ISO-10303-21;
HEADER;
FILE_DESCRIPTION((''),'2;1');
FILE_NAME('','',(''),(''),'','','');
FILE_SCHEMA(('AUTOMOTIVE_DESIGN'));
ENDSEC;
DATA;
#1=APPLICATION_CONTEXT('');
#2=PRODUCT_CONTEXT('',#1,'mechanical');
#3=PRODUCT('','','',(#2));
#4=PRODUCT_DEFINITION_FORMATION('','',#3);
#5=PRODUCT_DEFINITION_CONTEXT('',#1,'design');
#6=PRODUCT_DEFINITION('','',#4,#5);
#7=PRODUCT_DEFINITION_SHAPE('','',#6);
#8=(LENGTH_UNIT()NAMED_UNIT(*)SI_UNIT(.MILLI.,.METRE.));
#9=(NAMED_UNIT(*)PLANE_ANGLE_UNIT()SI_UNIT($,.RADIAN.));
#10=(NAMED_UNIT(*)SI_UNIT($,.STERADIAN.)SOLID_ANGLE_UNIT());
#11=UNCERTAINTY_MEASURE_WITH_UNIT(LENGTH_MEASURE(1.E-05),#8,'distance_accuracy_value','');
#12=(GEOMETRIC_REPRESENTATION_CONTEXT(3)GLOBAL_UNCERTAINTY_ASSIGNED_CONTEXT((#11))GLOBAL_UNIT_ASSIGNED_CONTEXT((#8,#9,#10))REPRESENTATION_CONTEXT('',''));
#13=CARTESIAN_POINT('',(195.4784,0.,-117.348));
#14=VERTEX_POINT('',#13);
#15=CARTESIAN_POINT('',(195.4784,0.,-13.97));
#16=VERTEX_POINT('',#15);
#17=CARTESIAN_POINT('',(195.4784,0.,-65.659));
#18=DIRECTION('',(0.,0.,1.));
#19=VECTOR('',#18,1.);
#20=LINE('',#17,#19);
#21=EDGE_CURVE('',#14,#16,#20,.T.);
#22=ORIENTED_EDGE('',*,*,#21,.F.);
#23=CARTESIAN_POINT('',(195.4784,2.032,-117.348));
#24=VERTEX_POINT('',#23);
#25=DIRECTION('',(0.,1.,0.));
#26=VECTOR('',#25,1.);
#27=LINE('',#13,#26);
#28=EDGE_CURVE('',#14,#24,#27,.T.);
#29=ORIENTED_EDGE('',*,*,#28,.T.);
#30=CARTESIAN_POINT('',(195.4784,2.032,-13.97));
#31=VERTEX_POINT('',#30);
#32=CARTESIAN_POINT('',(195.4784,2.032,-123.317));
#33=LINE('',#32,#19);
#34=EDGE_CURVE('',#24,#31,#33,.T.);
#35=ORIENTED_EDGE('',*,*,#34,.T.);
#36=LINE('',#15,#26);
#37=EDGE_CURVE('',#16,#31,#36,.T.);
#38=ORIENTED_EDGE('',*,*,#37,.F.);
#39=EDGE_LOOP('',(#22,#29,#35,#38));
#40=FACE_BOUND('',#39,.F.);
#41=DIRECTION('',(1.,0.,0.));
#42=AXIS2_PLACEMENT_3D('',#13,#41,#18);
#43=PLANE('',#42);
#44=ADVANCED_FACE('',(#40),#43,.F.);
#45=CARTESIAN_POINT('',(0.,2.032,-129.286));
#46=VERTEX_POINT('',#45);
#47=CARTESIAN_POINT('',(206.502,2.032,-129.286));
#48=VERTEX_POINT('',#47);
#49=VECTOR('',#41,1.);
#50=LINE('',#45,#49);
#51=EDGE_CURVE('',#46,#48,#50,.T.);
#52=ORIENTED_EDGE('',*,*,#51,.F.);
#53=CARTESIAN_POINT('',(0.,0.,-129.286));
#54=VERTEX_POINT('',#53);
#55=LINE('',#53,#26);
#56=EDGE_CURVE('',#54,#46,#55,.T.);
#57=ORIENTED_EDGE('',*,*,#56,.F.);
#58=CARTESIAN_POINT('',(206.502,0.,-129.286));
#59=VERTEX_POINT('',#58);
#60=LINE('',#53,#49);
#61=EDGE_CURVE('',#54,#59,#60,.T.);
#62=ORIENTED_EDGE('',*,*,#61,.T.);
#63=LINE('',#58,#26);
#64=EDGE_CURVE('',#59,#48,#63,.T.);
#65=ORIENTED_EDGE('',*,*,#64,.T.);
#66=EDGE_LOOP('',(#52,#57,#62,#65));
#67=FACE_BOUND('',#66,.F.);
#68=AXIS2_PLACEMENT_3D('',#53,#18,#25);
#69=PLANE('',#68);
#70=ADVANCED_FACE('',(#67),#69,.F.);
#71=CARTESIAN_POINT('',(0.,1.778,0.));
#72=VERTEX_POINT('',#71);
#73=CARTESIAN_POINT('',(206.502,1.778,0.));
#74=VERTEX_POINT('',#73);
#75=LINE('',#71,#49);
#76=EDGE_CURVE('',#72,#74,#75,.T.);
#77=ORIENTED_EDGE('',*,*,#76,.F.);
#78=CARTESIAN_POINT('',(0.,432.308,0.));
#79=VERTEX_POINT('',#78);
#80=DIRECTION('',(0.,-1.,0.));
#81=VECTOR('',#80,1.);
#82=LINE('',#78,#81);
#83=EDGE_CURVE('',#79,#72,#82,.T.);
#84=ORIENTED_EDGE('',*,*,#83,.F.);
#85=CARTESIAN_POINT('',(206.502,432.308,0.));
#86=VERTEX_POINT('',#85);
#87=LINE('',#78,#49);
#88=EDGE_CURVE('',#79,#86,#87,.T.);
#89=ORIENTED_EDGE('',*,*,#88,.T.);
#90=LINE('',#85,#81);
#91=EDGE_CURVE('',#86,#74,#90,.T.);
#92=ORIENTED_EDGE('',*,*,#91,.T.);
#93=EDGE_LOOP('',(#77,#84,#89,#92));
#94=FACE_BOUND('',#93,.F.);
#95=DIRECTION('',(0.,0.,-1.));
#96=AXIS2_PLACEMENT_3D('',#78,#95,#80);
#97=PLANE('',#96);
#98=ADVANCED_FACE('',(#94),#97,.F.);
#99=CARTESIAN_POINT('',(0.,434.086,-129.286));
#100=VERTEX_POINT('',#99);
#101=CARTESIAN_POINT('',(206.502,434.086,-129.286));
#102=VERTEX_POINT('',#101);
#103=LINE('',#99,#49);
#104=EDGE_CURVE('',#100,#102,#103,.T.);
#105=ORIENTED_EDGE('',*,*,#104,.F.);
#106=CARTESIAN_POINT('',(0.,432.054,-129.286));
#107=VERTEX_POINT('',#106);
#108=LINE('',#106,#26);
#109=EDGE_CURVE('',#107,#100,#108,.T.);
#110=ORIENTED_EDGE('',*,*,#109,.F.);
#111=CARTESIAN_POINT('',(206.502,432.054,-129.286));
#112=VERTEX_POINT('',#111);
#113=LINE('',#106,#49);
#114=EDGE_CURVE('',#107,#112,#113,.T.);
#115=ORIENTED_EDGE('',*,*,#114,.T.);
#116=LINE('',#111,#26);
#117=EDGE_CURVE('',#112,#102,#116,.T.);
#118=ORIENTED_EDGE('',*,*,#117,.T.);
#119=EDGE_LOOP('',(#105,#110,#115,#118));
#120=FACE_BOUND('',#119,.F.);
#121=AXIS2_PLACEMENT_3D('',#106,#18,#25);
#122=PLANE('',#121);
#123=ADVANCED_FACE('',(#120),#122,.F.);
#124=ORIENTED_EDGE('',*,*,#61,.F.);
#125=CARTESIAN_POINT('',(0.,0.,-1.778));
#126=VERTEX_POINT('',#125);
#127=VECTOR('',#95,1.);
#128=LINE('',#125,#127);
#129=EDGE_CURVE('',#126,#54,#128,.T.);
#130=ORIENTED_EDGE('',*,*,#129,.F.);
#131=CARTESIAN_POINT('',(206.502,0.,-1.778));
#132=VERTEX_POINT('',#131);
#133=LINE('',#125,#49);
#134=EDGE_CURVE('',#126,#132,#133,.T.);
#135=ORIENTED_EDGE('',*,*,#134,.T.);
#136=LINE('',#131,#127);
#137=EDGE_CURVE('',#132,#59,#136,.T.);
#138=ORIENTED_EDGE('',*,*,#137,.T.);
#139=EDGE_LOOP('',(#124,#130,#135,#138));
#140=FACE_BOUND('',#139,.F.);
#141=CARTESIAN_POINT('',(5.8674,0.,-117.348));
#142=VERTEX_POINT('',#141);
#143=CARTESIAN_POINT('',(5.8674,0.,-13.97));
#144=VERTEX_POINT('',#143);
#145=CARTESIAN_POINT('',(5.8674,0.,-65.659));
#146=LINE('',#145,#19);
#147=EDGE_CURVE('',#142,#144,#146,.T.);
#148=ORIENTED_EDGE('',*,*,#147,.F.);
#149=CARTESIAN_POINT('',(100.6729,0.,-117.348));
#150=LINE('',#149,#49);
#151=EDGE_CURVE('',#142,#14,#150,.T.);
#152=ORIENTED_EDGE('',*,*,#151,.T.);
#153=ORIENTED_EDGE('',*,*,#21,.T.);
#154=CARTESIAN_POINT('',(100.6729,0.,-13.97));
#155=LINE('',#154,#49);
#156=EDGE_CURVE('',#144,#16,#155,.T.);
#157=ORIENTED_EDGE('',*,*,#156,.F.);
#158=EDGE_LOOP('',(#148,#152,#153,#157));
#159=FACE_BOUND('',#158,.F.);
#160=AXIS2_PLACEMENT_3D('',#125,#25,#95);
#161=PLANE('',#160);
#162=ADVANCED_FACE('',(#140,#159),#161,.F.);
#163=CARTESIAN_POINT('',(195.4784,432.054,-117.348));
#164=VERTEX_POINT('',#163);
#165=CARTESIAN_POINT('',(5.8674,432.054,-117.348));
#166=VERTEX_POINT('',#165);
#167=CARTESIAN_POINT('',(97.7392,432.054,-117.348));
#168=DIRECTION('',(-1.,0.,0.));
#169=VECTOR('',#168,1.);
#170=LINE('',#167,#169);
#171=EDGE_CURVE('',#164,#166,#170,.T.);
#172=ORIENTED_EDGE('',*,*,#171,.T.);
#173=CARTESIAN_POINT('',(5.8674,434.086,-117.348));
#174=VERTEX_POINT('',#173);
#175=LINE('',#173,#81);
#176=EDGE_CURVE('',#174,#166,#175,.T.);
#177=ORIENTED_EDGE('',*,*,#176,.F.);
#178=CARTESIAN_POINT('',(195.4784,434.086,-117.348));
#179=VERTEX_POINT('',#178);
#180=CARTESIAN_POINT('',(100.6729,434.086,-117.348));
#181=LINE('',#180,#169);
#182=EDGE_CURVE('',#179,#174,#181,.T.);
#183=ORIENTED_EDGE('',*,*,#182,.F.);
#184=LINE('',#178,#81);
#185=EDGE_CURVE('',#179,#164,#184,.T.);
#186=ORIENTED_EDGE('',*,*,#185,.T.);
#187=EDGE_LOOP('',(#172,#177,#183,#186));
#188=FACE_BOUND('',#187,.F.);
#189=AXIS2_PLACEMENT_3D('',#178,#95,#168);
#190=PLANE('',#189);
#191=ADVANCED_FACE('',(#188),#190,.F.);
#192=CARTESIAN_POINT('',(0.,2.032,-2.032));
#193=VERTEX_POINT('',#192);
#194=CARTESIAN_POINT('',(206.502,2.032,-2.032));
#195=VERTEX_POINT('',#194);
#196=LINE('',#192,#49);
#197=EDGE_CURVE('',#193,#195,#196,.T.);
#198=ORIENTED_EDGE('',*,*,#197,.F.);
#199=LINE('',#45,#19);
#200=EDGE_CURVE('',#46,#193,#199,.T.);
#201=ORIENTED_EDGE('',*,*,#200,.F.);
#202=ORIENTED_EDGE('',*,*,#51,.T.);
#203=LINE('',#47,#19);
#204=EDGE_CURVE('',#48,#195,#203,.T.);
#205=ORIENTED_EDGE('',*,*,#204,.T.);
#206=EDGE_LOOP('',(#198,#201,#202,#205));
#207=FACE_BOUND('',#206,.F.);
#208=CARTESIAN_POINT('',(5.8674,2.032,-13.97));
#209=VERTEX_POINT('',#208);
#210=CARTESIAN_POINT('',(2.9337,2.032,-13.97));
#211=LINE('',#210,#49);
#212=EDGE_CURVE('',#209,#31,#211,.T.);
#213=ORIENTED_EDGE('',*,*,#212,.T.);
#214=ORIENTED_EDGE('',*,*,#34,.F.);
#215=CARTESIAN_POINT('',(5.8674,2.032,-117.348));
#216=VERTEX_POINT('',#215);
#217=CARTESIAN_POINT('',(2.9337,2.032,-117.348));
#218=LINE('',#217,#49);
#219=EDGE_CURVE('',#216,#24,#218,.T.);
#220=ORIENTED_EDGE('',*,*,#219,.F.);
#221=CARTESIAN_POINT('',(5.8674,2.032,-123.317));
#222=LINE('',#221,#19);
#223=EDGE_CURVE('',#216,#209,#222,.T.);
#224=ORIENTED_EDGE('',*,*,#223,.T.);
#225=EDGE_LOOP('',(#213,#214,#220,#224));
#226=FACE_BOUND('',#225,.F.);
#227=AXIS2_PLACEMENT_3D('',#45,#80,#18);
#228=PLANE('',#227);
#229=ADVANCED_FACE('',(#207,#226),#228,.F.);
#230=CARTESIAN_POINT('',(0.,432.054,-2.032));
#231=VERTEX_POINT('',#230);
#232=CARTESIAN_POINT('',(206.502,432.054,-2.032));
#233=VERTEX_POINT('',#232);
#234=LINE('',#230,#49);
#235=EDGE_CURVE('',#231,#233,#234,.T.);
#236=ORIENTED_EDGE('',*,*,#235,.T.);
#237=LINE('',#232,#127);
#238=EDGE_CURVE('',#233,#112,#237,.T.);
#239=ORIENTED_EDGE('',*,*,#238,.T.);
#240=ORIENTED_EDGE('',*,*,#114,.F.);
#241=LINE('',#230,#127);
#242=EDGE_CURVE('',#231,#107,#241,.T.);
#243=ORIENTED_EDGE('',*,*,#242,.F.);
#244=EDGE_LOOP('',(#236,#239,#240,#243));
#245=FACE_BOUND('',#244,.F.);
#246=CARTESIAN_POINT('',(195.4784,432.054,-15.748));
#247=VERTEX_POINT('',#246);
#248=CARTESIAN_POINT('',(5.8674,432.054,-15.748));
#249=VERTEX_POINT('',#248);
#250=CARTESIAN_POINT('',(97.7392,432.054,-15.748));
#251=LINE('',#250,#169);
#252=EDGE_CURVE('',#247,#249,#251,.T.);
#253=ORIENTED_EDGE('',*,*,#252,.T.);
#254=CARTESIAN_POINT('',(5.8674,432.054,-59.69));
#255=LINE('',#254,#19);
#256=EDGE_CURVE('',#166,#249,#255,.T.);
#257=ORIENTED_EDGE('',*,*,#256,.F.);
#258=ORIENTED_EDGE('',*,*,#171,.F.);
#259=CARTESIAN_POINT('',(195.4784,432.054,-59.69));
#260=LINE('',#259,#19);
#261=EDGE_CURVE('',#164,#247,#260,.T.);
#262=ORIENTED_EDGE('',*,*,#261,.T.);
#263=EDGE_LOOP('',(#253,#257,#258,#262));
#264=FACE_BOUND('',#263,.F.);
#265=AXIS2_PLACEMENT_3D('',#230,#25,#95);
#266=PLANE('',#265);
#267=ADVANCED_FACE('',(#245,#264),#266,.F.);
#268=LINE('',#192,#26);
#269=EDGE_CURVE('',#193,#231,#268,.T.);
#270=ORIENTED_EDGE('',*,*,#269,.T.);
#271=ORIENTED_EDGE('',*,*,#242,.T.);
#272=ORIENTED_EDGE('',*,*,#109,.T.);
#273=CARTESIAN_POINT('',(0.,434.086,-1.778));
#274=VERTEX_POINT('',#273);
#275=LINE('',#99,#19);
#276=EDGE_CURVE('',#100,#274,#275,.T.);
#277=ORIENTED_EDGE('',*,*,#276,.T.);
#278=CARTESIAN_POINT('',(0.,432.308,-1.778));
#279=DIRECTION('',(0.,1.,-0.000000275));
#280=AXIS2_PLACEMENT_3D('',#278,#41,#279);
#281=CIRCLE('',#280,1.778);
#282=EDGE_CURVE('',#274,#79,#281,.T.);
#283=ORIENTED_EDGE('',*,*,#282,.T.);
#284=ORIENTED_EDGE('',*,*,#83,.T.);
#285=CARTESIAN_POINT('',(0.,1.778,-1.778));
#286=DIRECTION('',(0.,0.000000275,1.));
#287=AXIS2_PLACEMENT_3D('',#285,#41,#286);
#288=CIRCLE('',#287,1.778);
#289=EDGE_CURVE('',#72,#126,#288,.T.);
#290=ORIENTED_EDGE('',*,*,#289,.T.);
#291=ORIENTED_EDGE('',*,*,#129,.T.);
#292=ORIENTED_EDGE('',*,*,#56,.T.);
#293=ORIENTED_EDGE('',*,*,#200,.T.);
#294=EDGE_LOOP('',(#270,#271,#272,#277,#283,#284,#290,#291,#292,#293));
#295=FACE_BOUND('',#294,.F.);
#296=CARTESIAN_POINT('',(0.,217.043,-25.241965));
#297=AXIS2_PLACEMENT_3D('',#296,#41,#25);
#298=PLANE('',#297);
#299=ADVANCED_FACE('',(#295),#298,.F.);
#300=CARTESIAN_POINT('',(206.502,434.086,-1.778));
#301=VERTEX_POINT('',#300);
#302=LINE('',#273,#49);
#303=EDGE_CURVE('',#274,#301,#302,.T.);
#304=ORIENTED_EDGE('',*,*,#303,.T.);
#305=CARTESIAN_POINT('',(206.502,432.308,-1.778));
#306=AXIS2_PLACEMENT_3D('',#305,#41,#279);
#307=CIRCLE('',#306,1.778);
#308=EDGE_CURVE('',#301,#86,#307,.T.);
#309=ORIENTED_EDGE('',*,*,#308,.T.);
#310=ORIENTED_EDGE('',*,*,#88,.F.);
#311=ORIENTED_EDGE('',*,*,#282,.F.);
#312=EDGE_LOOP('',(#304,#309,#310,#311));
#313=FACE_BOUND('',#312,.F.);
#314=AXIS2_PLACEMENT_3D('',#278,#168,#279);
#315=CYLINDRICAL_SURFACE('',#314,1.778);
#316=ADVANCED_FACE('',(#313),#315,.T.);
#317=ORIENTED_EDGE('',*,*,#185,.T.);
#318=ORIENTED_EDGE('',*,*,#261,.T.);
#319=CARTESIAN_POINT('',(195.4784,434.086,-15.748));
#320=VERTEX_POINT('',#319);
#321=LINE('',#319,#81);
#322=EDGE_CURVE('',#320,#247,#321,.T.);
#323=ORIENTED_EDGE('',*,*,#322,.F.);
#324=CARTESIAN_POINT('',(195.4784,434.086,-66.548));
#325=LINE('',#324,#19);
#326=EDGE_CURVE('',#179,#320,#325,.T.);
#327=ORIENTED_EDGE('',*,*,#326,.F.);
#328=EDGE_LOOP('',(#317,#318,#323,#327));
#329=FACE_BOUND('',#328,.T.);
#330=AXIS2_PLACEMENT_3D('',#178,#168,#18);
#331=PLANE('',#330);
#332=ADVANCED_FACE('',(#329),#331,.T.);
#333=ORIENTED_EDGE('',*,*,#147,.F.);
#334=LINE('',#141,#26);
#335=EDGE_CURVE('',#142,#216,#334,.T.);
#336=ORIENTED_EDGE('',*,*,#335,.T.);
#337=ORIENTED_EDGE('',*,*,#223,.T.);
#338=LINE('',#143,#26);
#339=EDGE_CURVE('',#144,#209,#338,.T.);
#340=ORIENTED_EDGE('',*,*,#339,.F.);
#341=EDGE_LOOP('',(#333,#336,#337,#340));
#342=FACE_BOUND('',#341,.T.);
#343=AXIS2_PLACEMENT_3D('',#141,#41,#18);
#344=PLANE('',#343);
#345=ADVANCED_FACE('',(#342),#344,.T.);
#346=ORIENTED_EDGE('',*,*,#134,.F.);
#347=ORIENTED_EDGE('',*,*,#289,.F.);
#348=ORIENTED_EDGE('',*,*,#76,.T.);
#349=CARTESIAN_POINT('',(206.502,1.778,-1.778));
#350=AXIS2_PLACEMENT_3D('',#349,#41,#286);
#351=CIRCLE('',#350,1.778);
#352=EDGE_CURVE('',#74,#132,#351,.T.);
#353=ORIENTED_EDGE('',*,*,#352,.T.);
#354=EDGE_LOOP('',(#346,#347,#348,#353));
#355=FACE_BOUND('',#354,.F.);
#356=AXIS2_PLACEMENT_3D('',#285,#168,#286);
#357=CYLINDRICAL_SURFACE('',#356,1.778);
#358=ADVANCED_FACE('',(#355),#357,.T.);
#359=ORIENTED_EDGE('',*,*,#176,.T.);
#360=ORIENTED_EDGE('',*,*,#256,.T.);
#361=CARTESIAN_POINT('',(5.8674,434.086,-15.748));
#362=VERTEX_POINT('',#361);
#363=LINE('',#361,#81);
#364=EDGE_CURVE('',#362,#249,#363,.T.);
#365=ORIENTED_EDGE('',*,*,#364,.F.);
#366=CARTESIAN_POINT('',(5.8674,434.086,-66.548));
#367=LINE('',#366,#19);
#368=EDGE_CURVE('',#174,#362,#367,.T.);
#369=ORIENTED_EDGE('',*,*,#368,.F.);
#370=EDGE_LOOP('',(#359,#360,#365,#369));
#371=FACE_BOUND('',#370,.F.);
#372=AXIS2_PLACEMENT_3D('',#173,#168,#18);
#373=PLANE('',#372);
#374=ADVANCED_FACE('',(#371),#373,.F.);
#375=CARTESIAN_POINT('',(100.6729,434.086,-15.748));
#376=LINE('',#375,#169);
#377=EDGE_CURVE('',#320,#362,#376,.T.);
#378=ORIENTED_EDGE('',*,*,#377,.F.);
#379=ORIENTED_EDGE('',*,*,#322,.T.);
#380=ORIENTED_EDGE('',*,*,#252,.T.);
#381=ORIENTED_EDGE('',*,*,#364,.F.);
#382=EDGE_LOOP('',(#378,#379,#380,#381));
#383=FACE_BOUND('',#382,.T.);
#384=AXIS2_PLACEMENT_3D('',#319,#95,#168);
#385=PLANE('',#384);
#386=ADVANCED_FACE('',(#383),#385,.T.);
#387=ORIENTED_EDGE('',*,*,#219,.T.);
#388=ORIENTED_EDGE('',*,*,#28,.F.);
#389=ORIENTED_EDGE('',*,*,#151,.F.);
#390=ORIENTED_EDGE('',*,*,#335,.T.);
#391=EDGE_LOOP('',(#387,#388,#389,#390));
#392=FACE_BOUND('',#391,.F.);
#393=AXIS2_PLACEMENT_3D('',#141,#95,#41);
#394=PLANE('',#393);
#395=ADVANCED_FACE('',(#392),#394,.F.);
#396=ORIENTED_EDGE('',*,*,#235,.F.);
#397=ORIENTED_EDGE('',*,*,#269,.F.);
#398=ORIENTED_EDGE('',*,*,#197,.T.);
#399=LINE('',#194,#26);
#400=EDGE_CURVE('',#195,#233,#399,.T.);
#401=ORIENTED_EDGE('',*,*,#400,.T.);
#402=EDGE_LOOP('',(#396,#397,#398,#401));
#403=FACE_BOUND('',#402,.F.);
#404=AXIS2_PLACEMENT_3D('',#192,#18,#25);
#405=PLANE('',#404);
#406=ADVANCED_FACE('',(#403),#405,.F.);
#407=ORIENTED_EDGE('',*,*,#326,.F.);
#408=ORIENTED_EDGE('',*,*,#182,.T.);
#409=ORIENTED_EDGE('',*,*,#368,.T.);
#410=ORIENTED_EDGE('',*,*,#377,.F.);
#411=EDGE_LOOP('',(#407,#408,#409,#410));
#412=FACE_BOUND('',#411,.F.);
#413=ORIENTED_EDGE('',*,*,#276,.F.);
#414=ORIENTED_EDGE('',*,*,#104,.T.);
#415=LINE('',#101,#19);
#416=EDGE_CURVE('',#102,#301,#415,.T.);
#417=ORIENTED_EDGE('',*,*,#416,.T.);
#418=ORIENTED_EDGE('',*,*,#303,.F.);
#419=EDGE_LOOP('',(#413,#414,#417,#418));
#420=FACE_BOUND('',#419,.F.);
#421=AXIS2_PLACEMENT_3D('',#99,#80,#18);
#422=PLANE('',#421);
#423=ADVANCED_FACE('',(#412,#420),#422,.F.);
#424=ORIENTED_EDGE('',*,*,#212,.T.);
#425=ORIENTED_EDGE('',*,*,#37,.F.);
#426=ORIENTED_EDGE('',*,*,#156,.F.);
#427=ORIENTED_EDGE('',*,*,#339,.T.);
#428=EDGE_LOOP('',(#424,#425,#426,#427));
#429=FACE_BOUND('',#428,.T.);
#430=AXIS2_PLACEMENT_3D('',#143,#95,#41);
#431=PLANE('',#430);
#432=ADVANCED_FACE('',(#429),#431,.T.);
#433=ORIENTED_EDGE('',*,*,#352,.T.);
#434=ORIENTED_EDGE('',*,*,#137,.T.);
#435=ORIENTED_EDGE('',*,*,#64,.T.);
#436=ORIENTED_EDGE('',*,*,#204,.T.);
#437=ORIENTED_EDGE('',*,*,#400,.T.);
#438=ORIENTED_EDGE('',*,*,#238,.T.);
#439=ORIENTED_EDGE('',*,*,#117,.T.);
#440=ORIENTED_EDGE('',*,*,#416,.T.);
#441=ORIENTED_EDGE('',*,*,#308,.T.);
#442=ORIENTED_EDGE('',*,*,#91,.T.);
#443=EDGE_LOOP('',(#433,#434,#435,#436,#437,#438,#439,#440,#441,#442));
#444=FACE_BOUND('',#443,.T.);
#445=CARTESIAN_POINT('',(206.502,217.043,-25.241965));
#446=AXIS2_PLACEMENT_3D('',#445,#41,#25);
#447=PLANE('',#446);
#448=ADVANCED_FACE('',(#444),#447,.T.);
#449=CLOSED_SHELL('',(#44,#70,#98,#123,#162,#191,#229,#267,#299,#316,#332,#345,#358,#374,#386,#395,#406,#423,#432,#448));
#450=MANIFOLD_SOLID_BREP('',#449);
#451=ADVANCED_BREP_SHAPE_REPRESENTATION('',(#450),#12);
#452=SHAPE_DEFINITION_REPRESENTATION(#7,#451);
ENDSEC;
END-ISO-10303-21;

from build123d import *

# Parameters (mm, degrees)
F1_DEPTH = 206.502
F2_W     = 189.611
F2_H     = 103.378
F3_DEPTH = 25.4
F4_W     = 189.611
F4_H     = 101.6
F5_DEPTH = 25.4


with BuildPart() as f1:
    # F0 (on Right) → F1 (new body)
    with BuildSketch(Plane.YZ):
        with BuildLine():
            Line((432.308, 0), (1.778, 0))
            ThreePointArc((1.778, 0), (0.520764, -0.520764), (0, -1.778))
            Line((0, -1.778), (0, -129.286))
            Line((0, -129.286), (2.032, -129.286))
            Line((2.032, -129.286), (2.032, -2.032))
            Line((2.032, -2.032), (432.054, -2.032))
            Line((432.054, -2.032), (432.054, -129.286))
            Line((432.054, -129.286), (434.086, -129.286))
            Line((434.086, -129.286), (434.086, -1.778))
            ThreePointArc((434.086, -1.778), (433.565236, -0.520764), (432.308, 0))
        make_face()
    extrude(amount=F1_DEPTH)

    # F2 (on face) → F3 (cut)
    with BuildSketch(Plane.XZ):
        with Locations((100.6729, -65.659)):
            Rectangle(F2_W, F2_H)
    extrude(amount=-F3_DEPTH, mode=Mode.SUBTRACT)

    # F4 (on face) → F5 (cut)
    with BuildSketch(Plane(origin=(0, 434.086, 0), x_dir=(-1, 0, 0), z_dir=(0, 1, 0))):
        with Locations((-100.6729, -66.548)):
            Rectangle(F4_W, F4_H)
    extrude(amount=-F5_DEPTH, mode=Mode.SUBTRACT)


solid = f1.part
